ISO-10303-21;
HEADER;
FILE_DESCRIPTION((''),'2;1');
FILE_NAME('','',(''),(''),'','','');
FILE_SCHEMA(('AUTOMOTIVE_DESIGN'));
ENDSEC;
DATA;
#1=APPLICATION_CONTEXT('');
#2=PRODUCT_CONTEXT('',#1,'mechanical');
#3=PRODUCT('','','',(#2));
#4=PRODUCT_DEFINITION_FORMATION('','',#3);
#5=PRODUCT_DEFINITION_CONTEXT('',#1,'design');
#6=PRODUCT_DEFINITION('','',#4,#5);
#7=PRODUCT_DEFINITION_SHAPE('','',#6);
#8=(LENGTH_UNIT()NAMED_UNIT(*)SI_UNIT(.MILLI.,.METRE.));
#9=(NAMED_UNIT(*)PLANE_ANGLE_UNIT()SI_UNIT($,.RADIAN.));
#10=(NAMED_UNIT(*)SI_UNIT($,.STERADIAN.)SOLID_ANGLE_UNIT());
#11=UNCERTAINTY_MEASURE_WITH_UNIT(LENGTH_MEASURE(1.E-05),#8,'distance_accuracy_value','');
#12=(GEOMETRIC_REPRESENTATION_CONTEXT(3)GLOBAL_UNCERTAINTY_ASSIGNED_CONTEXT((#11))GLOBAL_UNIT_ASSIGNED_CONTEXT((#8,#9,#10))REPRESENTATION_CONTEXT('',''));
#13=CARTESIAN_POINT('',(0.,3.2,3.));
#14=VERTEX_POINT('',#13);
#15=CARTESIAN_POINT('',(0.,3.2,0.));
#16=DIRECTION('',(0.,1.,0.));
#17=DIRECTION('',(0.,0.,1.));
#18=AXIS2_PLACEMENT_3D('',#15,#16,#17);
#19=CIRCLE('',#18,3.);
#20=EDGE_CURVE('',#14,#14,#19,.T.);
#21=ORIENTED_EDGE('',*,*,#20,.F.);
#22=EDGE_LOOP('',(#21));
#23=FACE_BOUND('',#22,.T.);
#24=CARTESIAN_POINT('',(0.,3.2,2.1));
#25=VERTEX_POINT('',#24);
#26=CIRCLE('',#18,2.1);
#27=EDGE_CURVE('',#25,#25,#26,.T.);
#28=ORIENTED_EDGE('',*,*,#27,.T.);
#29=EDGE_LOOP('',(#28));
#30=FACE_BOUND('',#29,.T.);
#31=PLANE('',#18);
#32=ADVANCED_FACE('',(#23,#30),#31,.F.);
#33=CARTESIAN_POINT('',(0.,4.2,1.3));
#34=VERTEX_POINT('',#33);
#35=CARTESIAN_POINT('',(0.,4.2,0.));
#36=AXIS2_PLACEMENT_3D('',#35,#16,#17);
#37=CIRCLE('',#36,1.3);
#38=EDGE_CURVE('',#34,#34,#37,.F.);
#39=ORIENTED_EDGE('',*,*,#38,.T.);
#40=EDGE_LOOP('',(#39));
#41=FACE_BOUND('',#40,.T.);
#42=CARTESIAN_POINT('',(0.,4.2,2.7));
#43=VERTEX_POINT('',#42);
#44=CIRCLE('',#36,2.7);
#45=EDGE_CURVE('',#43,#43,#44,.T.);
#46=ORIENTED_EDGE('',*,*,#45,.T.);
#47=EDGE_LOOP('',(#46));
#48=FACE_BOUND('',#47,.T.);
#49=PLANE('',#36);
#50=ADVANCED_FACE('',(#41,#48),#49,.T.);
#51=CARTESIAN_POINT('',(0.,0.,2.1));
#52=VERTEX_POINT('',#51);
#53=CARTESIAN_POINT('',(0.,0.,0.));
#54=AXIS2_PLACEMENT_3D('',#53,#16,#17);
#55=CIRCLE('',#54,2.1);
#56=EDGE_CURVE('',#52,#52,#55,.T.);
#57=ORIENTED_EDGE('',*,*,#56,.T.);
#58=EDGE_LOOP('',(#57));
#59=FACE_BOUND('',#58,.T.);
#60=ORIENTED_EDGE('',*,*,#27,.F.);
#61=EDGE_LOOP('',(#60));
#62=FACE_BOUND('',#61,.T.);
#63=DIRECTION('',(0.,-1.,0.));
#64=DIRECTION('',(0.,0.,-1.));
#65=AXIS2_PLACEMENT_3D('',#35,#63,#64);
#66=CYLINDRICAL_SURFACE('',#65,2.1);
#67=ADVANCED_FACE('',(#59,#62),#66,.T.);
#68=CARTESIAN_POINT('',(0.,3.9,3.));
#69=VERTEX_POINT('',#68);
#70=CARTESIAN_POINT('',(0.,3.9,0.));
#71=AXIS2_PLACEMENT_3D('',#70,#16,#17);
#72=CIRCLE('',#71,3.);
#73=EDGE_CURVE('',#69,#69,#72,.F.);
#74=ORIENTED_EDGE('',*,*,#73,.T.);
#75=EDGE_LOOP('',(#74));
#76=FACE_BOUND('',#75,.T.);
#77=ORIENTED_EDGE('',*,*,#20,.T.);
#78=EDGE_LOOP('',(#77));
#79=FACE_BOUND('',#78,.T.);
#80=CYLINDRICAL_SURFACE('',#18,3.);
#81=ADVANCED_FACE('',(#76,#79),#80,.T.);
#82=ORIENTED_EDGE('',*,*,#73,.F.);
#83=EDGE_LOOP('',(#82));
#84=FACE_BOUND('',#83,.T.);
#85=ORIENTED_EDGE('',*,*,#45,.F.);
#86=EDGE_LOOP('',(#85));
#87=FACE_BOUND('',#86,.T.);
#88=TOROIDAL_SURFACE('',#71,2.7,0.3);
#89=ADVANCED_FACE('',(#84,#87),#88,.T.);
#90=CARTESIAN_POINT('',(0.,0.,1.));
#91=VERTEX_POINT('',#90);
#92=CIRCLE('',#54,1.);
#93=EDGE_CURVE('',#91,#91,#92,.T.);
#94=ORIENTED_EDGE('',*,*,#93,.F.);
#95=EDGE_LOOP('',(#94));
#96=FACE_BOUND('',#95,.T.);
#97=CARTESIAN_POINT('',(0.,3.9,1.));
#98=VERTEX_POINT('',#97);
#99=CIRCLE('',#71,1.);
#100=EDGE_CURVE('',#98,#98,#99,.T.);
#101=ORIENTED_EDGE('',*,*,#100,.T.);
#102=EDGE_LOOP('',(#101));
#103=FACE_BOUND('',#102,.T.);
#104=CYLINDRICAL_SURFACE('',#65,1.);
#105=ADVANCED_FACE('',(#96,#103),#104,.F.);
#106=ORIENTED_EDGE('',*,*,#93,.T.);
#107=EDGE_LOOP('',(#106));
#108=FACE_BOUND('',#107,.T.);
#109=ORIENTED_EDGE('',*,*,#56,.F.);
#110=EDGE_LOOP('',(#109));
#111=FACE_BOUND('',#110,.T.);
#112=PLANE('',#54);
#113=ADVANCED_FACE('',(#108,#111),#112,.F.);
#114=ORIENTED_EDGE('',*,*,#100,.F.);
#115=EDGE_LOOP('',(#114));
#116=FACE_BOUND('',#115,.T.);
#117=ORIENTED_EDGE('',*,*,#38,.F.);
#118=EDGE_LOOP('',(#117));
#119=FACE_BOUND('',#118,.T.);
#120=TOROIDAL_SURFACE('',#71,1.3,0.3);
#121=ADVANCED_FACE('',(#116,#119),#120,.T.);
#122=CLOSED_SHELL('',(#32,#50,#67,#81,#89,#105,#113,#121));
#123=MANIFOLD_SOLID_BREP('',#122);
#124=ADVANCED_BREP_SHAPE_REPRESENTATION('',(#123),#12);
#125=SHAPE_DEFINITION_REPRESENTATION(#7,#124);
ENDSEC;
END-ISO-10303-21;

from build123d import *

# Parameters (mm, degrees)
SKETCH_1_R      = 2.1
SKETCH_1_R_2    = 1
EXTRUDE_1_DEPTH = 4.2
SKETCH_2_R      = 3
SKETCH_2_R_2    = 2.1
EXTRUDE_3_DEPTH = 1
FILLET_1_R      = 0.3


with BuildPart() as part:
    # 草图1 → 凸台-拉伸1 (new body)
    with BuildSketch(Plane(origin=(0, 0, 0), x_dir=(1, 0, 0), z_dir=(0, 1, 0))):
        Circle(SKETCH_1_R)
        Circle(SKETCH_1_R_2, mode=Mode.SUBTRACT)
    extrude(amount=EXTRUDE_1_DEPTH)

    # 草图2 → 凸台-拉伸3 (add)
    with BuildSketch(Plane(origin=(0, 4.2, 0), x_dir=(1, 0, 0), z_dir=(0, 1, 0))):
        Circle(SKETCH_2_R)
        Circle(SKETCH_2_R_2, mode=Mode.SUBTRACT)
    extrude(amount=-EXTRUDE_3_DEPTH)

    # 圆角1
    fillet_1_edges = [part.edges().sort_by_distance(p)[0] for p in [
        (-3, 4.2, 0),
        (-1, 4.2, 0),
    ]]
    fillet(fillet_1_edges, radius=FILLET_1_R)


solid = part.part
